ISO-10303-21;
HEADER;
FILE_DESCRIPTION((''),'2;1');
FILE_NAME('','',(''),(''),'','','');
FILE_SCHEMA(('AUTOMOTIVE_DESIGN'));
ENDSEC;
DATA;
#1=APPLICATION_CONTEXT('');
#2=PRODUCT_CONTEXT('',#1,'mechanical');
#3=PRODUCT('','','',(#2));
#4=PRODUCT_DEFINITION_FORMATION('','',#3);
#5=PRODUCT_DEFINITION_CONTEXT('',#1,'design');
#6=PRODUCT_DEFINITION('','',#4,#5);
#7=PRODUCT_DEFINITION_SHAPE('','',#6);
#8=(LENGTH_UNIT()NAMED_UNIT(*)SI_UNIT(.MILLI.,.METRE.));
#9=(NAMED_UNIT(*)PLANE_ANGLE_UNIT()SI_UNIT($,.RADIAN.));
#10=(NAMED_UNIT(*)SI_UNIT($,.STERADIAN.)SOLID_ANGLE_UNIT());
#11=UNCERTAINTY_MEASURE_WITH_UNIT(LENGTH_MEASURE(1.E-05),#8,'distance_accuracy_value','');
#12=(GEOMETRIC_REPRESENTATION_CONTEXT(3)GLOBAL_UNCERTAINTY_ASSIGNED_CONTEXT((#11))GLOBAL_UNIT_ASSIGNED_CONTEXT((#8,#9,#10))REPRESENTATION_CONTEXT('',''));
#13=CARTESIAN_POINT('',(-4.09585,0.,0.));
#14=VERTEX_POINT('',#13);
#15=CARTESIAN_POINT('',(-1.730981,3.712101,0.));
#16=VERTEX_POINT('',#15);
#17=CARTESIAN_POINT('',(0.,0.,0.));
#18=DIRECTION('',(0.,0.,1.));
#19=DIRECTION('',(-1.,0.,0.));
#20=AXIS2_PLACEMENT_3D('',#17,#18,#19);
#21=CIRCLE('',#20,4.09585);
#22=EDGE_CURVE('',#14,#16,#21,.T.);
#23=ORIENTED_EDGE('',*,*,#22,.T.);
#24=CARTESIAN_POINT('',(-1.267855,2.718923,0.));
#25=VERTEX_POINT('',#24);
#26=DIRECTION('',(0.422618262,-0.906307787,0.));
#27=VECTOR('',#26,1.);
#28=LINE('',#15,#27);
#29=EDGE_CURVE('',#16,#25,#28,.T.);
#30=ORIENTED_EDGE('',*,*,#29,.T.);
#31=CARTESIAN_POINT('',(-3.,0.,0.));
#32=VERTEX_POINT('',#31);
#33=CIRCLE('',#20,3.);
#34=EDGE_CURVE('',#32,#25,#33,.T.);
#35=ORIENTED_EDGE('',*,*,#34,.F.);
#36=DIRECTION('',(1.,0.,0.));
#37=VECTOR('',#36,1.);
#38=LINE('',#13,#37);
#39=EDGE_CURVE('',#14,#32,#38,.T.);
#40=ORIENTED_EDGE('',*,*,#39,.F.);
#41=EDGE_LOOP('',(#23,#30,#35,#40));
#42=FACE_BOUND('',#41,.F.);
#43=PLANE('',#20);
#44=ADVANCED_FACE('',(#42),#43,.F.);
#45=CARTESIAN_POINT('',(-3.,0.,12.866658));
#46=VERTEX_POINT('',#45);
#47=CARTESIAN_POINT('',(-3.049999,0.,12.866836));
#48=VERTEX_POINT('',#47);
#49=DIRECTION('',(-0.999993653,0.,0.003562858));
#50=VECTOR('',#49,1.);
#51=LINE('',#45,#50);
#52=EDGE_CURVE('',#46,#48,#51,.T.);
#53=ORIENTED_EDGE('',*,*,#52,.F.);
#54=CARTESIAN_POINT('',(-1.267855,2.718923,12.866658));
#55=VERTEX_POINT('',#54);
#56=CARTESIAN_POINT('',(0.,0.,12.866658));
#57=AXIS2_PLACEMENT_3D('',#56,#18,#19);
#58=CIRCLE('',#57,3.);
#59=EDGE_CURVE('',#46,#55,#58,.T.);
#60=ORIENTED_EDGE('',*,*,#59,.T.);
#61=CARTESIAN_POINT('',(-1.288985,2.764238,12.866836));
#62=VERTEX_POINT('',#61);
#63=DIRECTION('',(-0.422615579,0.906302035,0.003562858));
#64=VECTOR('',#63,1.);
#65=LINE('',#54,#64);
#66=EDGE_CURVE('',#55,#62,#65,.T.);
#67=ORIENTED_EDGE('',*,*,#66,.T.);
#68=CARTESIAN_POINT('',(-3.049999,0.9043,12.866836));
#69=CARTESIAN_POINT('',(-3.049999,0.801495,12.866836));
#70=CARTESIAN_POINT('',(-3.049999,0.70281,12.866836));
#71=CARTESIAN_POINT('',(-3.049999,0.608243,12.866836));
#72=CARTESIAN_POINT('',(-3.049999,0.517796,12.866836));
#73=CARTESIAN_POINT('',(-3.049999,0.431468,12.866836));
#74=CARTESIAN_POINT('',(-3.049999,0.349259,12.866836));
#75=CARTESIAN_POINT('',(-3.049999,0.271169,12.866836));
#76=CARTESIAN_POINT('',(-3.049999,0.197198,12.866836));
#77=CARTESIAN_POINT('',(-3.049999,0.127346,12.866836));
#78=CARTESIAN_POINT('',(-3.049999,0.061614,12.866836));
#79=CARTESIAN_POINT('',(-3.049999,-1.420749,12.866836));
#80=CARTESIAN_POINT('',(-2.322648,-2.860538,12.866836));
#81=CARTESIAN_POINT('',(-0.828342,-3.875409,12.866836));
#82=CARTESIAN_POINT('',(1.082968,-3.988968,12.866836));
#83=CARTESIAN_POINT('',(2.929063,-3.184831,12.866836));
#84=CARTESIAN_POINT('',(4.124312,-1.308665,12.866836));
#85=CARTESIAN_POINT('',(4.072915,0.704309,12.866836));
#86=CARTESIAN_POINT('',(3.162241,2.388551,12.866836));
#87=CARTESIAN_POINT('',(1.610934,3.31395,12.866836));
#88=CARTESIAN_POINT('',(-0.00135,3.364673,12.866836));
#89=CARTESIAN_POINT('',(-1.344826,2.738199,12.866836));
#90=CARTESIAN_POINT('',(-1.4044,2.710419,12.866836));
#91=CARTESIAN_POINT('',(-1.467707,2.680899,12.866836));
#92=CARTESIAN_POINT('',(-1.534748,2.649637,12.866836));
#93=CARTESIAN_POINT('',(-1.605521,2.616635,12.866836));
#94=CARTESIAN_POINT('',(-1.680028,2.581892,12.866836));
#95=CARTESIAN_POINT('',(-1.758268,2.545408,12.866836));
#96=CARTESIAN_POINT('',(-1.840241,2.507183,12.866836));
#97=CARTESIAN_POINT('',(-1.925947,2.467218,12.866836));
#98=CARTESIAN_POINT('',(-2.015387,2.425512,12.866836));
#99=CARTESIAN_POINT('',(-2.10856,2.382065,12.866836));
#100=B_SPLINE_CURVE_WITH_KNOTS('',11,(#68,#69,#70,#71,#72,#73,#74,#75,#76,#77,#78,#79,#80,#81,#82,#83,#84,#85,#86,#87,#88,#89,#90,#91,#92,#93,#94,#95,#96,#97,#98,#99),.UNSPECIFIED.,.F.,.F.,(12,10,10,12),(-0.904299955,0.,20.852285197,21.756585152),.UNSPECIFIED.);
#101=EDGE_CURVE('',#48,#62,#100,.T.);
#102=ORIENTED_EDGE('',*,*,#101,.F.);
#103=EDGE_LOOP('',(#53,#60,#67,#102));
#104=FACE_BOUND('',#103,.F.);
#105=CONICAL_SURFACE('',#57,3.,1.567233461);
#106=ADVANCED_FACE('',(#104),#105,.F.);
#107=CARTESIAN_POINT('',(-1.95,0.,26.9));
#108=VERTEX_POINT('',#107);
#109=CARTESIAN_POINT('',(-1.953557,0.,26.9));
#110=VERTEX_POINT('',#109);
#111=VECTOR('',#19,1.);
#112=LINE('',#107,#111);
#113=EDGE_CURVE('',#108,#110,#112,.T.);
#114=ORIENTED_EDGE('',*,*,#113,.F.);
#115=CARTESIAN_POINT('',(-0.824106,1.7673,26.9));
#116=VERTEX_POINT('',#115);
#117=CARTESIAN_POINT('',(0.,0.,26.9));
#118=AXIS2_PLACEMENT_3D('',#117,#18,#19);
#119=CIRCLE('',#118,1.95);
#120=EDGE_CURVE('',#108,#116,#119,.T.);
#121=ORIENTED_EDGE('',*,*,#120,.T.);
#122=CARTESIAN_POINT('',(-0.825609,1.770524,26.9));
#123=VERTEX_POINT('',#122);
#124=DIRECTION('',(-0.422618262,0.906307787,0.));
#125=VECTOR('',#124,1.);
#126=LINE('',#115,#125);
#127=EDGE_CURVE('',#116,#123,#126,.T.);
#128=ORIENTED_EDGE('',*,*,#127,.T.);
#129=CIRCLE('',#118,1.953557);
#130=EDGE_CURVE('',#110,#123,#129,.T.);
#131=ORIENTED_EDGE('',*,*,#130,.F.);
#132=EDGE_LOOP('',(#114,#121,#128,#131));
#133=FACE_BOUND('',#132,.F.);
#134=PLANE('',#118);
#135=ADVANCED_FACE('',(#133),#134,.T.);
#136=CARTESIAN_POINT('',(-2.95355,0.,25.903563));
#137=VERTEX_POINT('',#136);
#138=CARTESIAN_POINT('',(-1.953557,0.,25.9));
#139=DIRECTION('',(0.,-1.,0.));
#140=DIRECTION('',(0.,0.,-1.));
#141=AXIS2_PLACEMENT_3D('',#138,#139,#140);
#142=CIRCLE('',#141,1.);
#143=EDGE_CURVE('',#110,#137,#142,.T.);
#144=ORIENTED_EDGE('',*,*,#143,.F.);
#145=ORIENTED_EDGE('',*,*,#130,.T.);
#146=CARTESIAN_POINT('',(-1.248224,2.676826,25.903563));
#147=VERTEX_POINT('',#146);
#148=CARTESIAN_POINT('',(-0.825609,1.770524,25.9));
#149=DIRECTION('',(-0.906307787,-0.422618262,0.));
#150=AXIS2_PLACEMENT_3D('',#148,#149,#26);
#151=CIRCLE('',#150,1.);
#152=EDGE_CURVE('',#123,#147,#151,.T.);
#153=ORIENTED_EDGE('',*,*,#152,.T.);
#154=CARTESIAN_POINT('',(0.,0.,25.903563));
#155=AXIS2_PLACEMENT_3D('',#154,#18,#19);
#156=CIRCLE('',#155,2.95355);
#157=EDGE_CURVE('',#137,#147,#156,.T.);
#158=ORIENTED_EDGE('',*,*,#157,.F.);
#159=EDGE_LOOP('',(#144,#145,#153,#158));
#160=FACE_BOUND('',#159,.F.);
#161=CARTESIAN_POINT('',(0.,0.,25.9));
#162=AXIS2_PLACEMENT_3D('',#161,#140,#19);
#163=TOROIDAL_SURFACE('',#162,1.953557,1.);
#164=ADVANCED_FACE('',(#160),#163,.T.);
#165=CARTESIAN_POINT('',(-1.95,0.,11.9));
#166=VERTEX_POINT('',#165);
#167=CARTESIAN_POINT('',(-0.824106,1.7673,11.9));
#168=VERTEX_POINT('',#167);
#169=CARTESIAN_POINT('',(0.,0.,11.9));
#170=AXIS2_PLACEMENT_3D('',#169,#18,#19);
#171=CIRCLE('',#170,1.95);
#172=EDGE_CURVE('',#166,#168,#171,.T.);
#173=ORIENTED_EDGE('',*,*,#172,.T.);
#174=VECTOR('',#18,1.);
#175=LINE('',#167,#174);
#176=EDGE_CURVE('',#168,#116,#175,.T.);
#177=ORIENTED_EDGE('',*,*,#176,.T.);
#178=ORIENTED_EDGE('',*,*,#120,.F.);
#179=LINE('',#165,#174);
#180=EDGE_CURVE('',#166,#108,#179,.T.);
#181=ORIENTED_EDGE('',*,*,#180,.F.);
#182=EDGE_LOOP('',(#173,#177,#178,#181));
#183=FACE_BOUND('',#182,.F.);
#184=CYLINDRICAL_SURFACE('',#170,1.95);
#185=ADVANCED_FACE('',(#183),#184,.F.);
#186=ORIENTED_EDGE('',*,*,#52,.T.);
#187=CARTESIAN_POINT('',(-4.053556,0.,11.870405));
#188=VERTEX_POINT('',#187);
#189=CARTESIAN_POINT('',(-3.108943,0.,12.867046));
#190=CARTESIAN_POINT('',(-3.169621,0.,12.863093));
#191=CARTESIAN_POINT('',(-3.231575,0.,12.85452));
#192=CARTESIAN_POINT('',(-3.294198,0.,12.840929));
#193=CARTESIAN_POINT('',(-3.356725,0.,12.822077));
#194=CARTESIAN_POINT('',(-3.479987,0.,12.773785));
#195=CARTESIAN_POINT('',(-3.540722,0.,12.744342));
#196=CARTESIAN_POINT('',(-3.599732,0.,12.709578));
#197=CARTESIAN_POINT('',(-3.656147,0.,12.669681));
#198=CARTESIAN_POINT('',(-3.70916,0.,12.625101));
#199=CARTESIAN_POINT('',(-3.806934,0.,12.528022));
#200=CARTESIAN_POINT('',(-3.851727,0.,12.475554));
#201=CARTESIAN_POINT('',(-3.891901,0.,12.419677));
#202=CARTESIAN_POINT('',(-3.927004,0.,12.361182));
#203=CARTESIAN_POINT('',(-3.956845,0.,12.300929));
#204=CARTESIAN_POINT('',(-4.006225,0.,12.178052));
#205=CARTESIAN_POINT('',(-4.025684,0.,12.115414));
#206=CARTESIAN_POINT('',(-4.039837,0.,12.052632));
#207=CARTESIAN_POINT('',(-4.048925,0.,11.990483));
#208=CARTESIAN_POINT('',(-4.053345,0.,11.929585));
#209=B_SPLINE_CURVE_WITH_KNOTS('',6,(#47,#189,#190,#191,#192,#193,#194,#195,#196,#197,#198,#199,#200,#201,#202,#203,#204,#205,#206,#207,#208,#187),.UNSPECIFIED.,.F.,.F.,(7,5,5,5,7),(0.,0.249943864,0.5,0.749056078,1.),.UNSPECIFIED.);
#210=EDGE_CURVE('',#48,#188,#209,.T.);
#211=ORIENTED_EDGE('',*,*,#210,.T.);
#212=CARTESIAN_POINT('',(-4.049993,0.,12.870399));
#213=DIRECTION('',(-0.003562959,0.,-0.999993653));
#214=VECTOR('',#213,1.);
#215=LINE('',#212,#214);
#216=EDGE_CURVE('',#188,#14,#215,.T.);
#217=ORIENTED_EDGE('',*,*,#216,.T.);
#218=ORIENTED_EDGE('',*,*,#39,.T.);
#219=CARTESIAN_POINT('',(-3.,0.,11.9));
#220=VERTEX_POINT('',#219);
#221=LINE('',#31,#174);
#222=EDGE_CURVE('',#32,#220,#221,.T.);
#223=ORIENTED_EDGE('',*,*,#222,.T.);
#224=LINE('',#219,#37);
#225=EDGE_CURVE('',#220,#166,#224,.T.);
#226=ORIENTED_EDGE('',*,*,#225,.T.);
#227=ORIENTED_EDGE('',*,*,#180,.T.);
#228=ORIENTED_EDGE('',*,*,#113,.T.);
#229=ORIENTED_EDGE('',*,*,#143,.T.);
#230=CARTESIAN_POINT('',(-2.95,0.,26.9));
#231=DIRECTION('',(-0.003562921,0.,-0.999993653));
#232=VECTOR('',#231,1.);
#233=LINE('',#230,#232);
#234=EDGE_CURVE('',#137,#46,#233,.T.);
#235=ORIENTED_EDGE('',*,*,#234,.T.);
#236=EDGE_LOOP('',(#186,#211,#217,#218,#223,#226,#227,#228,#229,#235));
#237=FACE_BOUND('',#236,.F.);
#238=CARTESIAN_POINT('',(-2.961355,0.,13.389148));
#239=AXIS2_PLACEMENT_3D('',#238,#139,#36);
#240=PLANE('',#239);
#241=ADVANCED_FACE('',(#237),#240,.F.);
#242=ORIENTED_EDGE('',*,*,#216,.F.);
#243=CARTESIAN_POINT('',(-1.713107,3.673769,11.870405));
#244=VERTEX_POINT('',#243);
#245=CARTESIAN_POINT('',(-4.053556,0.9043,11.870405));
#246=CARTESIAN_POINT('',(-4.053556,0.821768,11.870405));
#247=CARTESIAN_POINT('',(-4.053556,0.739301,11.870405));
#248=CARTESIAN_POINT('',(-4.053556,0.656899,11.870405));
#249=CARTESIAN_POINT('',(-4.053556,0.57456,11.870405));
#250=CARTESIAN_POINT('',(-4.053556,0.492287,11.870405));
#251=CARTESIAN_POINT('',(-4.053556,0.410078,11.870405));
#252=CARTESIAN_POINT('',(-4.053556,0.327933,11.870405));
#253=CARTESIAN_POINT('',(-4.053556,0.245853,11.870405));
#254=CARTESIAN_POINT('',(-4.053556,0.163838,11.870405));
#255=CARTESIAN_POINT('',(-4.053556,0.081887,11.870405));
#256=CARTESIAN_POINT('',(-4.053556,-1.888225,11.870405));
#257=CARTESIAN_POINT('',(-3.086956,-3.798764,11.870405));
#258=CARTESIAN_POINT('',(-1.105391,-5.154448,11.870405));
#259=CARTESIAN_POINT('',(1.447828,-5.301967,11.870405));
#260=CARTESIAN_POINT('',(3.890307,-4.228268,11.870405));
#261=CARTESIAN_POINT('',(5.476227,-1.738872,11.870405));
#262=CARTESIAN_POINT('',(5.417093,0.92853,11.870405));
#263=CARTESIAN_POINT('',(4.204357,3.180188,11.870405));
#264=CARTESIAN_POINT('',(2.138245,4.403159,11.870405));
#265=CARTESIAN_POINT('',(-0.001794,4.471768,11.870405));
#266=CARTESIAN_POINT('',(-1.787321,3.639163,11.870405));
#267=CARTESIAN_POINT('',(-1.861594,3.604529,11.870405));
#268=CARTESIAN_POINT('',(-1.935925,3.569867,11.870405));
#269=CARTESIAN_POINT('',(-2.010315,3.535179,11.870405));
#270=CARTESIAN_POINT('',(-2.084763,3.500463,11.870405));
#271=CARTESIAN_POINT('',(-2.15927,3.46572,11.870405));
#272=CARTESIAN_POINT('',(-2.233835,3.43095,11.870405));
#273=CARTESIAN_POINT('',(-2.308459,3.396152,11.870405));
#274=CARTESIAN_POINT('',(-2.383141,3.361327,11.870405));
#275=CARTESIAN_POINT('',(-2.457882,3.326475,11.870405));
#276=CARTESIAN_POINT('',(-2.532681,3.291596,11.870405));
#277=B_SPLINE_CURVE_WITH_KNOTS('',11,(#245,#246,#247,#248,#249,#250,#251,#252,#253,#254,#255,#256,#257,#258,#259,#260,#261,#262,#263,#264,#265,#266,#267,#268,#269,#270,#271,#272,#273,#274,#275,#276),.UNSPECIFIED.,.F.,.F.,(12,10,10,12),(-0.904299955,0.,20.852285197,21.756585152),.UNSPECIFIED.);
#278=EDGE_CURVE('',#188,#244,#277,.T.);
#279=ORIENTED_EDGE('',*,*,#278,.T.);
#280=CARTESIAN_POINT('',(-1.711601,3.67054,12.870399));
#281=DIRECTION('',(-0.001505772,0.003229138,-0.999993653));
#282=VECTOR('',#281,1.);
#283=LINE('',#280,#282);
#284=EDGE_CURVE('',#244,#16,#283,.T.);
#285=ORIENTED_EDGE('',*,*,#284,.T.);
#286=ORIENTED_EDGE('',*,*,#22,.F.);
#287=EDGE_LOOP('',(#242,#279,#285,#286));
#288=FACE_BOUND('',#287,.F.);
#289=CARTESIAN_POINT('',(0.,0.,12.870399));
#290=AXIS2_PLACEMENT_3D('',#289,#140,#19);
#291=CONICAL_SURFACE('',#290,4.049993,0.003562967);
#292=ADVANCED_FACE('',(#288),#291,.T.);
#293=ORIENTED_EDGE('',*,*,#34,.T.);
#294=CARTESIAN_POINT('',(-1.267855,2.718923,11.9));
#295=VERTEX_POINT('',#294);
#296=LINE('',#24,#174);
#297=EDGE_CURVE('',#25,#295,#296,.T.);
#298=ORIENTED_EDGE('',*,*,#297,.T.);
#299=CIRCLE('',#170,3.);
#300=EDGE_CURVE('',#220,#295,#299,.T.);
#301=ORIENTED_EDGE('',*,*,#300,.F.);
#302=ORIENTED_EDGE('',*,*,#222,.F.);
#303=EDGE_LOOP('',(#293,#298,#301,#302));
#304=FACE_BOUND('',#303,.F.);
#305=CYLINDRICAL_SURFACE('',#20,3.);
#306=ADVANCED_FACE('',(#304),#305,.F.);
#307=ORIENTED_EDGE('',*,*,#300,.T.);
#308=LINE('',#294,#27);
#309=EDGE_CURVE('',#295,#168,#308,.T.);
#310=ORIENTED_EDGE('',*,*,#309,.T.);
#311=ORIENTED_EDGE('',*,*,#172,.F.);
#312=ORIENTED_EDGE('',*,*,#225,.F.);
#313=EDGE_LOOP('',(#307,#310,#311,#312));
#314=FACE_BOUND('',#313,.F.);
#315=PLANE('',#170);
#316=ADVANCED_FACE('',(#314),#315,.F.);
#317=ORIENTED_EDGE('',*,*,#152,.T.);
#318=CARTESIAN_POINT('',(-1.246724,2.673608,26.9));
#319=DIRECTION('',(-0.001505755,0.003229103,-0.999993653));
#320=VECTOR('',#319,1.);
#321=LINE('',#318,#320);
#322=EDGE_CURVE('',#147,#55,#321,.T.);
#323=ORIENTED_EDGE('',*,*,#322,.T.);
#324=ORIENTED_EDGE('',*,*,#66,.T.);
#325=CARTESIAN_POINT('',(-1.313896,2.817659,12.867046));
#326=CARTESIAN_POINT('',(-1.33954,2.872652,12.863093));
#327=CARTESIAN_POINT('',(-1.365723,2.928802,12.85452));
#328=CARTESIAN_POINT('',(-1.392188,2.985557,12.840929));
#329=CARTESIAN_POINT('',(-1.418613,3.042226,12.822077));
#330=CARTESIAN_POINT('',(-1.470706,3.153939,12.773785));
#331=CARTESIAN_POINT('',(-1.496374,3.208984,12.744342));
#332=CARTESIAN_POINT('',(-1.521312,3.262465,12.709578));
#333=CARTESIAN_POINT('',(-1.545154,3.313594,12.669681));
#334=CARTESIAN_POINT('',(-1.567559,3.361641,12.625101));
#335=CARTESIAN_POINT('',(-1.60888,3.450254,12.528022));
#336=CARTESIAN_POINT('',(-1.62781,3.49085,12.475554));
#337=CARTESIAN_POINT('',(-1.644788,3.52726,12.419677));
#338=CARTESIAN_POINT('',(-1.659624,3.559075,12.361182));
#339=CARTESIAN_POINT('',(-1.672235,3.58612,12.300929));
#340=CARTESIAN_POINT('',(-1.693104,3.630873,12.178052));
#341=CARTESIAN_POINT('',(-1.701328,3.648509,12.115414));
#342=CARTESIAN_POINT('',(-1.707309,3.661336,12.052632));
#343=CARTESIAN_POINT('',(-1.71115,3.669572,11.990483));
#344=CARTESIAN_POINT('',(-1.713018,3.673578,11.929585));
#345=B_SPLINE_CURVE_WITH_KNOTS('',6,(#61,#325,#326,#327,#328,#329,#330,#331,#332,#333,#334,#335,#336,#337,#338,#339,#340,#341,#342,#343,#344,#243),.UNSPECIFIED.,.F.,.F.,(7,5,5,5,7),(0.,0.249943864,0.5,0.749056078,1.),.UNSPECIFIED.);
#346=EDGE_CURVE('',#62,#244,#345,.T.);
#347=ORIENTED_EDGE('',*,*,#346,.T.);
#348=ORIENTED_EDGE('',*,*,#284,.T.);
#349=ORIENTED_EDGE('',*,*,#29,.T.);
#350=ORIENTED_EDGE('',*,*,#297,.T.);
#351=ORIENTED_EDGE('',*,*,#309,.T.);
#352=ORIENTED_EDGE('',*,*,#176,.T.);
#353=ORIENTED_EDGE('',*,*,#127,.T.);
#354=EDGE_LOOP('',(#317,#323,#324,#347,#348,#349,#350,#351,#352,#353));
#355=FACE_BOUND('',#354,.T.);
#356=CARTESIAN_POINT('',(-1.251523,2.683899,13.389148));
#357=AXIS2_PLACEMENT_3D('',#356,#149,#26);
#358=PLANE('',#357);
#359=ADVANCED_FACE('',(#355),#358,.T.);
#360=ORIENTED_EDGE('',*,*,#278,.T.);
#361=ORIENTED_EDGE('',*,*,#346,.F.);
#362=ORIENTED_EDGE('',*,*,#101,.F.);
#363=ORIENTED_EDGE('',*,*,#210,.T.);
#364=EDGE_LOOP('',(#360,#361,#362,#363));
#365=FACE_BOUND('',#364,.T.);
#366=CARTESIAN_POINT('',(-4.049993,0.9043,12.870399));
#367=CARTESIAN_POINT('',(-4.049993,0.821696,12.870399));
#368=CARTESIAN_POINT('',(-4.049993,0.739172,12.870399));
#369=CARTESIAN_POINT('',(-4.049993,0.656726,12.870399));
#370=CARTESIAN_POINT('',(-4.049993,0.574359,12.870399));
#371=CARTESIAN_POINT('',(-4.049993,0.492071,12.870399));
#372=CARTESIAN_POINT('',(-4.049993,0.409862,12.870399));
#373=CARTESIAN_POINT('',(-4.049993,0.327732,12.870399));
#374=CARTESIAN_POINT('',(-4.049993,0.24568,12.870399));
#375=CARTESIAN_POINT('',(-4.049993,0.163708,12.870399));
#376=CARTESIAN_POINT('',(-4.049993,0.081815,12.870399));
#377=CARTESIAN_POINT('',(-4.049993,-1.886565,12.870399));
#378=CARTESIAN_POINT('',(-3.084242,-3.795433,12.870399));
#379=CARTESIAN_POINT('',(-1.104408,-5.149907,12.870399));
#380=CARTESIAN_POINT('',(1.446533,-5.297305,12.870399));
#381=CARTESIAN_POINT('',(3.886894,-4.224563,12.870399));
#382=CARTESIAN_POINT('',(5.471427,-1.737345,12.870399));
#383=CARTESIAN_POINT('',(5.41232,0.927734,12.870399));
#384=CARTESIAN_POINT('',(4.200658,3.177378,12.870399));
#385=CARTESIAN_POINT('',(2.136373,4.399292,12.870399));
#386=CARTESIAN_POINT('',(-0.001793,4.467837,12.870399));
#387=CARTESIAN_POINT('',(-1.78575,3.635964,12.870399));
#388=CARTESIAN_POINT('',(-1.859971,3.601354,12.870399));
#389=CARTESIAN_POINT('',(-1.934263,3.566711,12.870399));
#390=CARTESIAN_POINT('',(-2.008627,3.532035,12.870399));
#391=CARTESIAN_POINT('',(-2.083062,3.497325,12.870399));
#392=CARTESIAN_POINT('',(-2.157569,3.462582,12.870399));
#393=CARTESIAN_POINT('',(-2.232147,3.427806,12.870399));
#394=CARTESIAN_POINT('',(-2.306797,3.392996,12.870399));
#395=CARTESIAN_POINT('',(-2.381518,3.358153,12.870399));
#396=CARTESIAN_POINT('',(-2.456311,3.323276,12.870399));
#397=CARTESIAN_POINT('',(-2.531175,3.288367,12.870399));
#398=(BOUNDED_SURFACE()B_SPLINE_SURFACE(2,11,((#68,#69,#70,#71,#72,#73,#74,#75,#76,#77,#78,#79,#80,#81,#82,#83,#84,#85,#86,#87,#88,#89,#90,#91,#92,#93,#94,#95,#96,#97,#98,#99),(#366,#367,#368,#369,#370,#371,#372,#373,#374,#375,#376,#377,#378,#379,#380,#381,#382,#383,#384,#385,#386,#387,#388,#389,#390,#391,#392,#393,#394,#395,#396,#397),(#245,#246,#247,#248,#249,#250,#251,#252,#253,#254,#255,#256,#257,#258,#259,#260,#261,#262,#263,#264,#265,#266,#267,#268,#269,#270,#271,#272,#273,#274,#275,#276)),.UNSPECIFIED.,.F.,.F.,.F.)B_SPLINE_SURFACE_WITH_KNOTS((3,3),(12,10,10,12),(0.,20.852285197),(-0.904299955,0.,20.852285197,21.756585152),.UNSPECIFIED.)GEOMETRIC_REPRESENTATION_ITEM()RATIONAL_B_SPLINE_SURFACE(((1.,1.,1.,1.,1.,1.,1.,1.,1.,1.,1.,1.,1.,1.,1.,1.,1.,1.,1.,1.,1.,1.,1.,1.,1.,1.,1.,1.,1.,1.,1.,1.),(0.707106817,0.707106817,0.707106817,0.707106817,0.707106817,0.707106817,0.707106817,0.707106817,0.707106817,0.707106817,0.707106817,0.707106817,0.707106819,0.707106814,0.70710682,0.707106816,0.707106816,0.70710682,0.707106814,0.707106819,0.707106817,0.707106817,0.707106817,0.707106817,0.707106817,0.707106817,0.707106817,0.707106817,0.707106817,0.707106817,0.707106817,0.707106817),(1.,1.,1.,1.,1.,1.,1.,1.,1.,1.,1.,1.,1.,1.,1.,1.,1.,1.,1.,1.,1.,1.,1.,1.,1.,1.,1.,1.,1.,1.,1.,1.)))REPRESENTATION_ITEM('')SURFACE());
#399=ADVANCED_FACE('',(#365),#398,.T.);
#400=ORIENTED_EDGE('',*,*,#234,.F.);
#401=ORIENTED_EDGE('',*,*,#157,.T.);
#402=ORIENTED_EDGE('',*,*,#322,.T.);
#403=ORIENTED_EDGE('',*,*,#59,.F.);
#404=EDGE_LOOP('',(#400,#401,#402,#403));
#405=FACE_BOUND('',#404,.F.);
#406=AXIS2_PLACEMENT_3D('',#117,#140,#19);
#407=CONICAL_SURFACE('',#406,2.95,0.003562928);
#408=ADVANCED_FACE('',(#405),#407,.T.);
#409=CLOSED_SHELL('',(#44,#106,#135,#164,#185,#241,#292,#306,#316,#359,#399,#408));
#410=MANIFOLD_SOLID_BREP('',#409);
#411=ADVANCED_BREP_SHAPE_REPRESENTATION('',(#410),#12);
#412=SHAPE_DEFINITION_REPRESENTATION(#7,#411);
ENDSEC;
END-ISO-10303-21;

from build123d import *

# Parameters (mm, degrees)
F1_ANGLE = 295
F2_R     = 1


with BuildPart() as f1:
    # F0 (on Front) → F1 (revolve)
    with BuildSketch(Plane.XZ):
        Polygon((-4.09585, 0), (-3, 0), (-3, 11.9), (-1.95, 11.9), (-1.95, 26.9), (-2.95, 26.9), (-3, 12.866658), (-4.049993, 12.870399), align=None)
    revolve(axis=Axis((0, 0, 12.013339), (0, 0, 1)), revolution_arc=F1_ANGLE)

    # F2
    f2_edges = [f1.edges().sort_by_distance(p)[0] for p in [
        (2.488005, -1.585034, 26.9),
        (3.41573, -2.17606, 12.870399),
    ]]
    fillet(f2_edges, radius=F2_R)


solid = f1.part
